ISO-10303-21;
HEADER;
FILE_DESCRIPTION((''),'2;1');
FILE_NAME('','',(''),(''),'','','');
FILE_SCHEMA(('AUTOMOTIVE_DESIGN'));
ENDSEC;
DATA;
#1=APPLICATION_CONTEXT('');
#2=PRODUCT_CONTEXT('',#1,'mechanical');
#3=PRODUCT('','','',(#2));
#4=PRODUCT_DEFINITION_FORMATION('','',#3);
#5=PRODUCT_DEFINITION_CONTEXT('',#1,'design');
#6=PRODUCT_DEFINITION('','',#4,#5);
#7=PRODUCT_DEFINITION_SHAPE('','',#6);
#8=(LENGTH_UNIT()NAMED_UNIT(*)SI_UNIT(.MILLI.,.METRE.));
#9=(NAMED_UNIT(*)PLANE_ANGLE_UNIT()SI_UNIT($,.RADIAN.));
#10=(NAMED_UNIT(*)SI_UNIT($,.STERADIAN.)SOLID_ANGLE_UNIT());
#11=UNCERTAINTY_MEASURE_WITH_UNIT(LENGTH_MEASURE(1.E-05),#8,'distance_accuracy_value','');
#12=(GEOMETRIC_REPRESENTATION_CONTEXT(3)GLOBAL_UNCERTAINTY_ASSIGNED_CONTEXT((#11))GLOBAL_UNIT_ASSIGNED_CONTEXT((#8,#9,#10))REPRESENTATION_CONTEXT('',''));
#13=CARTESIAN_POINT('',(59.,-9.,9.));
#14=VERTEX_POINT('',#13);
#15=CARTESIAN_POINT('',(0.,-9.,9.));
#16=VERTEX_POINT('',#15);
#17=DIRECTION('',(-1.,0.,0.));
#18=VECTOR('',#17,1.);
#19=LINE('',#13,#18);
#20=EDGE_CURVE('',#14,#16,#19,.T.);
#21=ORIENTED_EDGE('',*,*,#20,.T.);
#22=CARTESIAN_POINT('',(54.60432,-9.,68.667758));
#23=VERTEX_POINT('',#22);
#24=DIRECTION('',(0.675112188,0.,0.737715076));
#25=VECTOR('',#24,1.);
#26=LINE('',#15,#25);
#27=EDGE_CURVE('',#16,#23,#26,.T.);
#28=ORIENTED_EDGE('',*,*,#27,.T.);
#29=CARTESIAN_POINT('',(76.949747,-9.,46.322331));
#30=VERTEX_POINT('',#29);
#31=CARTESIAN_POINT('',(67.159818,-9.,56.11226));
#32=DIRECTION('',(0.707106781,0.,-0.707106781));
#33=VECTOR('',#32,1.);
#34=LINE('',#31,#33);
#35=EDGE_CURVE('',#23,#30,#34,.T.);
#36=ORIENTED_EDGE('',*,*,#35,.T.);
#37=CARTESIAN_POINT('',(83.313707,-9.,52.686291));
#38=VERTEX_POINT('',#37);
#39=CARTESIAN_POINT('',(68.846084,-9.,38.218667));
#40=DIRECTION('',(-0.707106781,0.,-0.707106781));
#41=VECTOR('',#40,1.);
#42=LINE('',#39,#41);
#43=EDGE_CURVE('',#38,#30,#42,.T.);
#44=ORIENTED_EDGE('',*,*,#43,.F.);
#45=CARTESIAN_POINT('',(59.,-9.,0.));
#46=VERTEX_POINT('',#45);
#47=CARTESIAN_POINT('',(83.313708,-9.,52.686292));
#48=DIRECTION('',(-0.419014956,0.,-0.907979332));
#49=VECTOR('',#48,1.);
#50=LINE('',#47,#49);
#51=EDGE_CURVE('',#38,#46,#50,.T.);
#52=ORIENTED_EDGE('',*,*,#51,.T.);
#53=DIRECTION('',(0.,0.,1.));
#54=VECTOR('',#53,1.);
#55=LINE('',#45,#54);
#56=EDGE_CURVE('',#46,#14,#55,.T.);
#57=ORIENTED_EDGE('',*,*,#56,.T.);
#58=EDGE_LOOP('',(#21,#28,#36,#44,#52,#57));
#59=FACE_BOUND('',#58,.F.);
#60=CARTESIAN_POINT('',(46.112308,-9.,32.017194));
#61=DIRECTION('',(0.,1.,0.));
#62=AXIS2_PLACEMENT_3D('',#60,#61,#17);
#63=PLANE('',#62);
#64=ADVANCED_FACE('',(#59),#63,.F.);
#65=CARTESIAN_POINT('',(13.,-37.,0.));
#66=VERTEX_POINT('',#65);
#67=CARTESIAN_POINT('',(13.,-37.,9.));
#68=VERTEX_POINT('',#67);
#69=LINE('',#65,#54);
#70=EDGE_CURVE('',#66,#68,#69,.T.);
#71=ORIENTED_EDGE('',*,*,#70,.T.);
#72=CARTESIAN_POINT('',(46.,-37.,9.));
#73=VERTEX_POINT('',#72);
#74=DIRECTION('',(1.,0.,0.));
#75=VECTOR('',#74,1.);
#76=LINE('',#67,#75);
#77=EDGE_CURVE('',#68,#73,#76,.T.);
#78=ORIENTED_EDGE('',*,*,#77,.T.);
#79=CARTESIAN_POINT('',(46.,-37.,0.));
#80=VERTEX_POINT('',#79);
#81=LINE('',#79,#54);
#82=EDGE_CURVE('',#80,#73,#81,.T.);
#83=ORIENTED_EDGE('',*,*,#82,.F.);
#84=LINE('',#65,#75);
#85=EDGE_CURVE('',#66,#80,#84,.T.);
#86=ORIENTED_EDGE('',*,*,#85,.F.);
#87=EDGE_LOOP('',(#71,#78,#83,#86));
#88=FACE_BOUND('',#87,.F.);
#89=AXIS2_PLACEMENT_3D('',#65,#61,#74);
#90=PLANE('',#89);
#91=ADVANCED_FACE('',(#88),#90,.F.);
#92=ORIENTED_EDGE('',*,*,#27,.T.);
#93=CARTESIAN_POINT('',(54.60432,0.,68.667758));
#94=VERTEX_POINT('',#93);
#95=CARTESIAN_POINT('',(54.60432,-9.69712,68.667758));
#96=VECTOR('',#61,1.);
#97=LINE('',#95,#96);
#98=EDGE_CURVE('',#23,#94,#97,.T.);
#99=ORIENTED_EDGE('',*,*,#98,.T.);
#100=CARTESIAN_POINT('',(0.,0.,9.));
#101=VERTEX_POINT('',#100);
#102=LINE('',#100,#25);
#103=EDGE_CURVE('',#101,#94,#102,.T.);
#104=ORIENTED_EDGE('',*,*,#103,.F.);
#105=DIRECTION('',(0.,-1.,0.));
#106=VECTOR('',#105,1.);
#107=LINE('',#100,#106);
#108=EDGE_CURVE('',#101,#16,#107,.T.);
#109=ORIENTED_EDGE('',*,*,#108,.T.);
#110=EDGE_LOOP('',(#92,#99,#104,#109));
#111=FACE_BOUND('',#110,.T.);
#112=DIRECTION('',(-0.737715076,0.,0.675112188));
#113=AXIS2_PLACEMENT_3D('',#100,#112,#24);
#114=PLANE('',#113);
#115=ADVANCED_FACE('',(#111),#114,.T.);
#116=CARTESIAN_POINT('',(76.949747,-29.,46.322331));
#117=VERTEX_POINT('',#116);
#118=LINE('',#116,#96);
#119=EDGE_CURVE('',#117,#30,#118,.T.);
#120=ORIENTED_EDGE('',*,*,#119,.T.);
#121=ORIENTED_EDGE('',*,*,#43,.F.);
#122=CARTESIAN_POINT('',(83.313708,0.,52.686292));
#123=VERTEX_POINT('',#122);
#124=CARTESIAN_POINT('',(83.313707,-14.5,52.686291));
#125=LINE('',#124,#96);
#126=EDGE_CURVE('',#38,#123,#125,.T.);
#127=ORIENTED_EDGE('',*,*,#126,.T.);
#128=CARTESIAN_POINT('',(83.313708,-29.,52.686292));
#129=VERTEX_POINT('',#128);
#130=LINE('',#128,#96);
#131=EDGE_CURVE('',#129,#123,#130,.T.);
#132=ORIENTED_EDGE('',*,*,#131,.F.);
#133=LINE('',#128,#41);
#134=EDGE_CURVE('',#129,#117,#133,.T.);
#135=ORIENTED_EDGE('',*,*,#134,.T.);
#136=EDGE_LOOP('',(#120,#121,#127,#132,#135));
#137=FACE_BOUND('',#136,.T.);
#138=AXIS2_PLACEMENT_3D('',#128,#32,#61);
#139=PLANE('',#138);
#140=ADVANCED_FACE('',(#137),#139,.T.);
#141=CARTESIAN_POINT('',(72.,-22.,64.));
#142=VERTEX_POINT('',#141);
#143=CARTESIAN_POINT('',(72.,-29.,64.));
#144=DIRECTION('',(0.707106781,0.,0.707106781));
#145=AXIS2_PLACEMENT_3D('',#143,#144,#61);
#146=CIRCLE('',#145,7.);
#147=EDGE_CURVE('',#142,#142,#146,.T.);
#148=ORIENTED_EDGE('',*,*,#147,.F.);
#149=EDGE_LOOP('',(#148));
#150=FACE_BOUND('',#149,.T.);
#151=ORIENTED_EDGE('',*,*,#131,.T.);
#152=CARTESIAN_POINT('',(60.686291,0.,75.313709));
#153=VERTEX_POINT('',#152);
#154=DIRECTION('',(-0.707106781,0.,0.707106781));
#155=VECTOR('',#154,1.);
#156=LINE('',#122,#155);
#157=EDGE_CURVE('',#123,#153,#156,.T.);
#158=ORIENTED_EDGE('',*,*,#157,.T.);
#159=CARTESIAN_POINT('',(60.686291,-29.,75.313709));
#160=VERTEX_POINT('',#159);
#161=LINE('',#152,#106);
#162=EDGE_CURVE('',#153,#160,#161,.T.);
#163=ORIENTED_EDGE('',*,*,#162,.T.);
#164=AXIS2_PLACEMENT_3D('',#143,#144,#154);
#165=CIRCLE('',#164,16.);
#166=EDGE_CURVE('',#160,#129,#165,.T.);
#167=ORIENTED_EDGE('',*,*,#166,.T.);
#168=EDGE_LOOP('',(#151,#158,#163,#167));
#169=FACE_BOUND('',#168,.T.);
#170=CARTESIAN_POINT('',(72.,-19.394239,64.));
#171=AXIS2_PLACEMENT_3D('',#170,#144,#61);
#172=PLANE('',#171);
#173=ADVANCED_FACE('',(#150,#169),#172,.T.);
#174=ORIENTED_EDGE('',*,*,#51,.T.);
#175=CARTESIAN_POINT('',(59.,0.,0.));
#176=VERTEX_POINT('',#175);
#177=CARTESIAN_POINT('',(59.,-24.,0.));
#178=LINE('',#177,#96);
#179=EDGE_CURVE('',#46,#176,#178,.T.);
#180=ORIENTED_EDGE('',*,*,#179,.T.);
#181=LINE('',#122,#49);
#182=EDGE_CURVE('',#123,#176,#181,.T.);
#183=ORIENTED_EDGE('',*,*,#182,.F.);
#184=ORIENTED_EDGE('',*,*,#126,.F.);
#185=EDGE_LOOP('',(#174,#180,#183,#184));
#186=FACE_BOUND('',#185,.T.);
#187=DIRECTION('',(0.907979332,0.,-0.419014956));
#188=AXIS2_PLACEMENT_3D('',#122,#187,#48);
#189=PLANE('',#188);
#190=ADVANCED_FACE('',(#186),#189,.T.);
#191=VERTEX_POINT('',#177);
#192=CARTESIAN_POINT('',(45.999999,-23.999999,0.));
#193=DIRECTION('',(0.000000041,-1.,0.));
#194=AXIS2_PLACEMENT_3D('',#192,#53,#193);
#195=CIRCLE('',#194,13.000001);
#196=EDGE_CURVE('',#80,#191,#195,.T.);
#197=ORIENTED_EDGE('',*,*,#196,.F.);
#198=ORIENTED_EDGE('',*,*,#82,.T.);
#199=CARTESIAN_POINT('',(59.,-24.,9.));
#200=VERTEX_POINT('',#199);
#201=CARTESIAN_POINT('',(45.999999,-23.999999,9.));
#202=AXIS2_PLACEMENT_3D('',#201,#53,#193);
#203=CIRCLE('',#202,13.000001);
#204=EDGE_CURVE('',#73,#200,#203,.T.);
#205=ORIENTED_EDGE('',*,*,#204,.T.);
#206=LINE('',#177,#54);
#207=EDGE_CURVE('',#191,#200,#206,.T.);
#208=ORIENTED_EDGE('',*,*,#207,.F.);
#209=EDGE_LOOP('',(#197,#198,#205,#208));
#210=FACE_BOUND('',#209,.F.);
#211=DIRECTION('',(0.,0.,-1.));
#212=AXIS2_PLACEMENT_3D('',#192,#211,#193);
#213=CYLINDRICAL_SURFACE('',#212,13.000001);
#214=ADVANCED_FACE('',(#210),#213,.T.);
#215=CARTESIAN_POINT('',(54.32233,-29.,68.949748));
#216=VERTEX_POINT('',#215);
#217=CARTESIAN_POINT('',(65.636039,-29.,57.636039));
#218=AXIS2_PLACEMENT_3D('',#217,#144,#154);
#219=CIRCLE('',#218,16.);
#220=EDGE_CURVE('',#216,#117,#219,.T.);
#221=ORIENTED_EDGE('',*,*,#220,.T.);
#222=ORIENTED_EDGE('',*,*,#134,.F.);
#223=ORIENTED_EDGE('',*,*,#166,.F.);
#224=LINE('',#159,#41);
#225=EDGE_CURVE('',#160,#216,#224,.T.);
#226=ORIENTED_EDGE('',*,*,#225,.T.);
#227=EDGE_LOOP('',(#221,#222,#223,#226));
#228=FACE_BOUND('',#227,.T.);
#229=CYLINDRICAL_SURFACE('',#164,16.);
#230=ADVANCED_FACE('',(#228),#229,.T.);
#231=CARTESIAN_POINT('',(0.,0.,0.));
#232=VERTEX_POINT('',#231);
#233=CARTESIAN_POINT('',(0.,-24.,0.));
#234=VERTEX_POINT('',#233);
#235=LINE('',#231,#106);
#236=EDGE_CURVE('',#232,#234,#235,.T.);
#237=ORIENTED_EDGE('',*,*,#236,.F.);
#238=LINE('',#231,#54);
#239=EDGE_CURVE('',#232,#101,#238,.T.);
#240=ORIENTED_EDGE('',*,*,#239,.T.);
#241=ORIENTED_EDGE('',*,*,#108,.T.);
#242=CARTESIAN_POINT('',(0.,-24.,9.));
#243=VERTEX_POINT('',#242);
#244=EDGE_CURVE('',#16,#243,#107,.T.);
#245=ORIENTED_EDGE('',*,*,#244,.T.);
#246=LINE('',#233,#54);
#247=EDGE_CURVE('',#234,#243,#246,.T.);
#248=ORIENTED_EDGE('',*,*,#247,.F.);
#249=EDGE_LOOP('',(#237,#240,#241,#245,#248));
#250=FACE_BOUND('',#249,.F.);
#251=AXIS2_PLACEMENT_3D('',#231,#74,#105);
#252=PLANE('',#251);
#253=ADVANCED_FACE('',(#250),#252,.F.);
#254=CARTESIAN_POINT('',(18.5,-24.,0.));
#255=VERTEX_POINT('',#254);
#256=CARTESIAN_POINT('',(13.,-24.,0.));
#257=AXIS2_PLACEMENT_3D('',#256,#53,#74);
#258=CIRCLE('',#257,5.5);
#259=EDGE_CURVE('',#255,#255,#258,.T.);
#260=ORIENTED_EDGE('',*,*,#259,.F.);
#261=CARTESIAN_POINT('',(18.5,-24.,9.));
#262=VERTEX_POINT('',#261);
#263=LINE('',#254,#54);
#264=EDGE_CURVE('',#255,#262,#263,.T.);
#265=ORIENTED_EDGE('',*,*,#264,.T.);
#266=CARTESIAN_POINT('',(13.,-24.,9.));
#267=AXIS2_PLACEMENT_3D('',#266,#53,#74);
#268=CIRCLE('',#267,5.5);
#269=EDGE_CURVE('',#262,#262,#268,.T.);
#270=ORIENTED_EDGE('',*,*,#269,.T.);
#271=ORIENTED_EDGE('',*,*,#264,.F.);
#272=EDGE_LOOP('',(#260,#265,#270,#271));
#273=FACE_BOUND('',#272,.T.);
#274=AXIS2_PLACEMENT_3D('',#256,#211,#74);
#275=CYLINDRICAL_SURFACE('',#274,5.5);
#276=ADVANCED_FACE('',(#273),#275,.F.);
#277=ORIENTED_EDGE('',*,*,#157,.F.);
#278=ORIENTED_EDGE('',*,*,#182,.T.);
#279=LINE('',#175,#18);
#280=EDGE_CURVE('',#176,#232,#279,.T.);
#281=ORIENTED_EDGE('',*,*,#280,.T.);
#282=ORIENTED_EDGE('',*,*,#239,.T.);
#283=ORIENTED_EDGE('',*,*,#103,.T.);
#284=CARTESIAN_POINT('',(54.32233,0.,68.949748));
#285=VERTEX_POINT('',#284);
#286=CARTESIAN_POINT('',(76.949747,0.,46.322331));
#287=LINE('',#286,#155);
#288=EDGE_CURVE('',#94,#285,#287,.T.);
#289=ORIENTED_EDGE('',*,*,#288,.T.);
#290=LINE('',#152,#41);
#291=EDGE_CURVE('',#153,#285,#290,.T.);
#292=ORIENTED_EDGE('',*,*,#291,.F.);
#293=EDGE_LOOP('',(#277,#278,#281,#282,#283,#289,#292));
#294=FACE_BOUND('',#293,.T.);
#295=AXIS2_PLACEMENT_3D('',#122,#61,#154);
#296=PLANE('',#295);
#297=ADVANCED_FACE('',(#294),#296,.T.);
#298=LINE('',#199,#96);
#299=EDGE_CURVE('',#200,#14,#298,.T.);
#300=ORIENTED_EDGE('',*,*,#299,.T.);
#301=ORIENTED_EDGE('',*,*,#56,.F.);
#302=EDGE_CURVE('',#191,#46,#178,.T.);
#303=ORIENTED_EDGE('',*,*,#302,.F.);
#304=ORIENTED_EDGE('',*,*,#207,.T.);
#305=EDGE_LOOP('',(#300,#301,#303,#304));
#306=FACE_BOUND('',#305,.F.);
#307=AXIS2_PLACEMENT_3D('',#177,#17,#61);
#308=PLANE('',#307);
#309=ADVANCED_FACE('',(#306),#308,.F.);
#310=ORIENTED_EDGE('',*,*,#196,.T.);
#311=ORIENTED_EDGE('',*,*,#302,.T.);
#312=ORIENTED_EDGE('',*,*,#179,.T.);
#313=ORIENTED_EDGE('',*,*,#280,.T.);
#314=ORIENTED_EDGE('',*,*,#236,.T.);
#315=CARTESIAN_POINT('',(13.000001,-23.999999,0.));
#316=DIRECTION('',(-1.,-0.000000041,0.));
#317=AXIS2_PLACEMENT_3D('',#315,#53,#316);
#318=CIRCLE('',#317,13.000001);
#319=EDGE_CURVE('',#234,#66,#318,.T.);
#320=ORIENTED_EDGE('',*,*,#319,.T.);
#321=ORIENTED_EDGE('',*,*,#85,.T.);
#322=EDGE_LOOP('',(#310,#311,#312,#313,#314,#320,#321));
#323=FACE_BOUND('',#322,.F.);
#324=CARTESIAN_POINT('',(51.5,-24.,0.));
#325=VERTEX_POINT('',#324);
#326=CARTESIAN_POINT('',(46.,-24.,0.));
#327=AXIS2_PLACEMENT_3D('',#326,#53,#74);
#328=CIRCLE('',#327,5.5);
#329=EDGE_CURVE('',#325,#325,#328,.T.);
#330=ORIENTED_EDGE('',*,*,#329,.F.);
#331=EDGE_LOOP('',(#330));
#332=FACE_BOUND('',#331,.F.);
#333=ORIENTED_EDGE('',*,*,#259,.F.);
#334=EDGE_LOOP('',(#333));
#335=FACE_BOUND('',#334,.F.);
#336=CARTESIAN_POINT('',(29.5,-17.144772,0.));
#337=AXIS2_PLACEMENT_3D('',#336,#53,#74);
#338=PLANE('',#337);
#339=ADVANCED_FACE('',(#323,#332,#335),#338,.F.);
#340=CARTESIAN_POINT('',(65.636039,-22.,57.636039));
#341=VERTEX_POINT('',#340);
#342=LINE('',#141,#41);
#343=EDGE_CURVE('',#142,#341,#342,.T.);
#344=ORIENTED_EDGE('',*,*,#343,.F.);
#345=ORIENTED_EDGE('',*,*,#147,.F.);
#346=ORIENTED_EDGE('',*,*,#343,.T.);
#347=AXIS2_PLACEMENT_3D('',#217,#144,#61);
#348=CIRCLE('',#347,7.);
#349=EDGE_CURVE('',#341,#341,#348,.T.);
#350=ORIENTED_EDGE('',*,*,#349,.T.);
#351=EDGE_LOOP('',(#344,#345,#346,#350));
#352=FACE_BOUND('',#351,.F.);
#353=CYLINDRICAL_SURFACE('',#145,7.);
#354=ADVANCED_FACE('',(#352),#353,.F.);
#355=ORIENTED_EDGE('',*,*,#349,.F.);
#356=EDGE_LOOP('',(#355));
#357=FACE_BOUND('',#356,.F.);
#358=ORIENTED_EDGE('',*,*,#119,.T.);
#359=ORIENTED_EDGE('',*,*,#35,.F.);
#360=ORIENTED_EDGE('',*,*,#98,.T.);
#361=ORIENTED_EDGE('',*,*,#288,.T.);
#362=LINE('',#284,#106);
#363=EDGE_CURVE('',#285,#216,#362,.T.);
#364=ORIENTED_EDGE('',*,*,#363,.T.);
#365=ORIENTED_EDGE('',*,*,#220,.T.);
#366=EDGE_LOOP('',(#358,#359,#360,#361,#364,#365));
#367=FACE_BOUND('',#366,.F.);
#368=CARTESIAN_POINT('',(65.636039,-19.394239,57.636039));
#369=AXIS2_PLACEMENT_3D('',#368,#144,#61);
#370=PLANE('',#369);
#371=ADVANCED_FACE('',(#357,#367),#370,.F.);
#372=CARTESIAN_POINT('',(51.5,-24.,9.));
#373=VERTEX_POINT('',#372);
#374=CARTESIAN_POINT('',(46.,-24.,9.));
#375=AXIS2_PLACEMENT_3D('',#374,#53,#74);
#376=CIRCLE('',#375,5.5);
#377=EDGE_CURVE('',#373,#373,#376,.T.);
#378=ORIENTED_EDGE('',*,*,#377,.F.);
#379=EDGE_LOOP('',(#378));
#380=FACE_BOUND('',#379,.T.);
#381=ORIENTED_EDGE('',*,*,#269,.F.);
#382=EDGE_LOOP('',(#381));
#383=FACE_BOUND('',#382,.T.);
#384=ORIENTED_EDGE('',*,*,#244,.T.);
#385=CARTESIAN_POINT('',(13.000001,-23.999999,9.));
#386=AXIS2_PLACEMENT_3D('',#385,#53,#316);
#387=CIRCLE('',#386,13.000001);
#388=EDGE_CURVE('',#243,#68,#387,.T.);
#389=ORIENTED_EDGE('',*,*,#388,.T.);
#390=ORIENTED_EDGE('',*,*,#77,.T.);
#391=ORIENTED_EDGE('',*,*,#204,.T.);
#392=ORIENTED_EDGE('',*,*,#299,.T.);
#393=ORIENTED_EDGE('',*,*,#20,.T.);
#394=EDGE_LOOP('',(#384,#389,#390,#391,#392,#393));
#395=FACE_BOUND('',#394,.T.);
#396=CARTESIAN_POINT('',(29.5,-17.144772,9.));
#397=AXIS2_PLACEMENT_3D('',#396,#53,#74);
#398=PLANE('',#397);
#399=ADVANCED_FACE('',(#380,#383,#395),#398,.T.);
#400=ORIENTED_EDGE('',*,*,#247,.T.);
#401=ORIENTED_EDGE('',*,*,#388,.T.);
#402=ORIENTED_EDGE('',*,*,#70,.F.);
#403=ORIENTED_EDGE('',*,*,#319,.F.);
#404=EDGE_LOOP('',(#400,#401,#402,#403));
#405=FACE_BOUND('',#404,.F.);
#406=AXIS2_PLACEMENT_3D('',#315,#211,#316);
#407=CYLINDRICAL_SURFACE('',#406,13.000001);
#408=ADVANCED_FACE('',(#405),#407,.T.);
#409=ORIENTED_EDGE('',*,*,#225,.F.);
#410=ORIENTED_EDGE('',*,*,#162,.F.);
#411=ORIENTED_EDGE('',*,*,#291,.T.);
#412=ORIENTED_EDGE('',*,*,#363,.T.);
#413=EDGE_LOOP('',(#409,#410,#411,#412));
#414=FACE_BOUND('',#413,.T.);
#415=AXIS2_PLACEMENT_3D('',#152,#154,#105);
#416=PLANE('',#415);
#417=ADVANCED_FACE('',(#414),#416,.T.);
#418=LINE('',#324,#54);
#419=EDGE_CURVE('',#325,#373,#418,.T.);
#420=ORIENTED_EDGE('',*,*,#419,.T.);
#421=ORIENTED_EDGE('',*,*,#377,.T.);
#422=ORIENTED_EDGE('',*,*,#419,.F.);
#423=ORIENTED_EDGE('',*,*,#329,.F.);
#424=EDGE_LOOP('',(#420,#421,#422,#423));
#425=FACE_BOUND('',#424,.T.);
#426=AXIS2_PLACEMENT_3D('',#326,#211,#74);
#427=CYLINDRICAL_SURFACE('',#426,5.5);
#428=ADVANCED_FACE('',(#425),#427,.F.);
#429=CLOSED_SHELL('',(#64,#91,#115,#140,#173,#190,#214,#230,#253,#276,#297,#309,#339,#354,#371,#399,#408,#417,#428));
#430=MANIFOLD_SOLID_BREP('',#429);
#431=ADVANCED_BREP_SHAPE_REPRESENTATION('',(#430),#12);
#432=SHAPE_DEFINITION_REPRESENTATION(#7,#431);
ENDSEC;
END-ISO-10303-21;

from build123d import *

# Parameters (mm, degrees)
F0_R     = 5.5
F1_DEPTH = 9
F3_DEPTH = 9
F4_R     = 7
F5_DEPTH = 9


with BuildPart() as f1:
    # F0 (on Top) → F1 (new body)
    with BuildSketch(Plane.XY):
        with BuildLine():
            Line((59, 0), (0, 0))
            Line((0, 0), (0, -24))
            ThreePointArc((0, -24), (3.807612, -33.192388), (13, -37))
            Line((13, -37), (46, -37))
            ThreePointArc((46, -37), (55.192388, -33.192388), (59, -24))
            Line((59, -24), (59, 0))
        make_face()
        with Locations((13, -24)):
            Circle(F0_R, mode=Mode.SUBTRACT)
        with Locations((46, -24)):
            Circle(F0_R, mode=Mode.SUBTRACT)
    extrude(amount=F1_DEPTH)

    # F2 (on face) → F3 (join)
    with BuildSketch(Plane(origin=(0, 0, 0), x_dir=(-1, 0, 0), z_dir=(0, 1, 0))):
        Polygon((-59, 9), (0, 9), (-60.686292, 75.313708), (-83.313708, 52.686292), (-59, 0), align=None)
    extrude(amount=-F3_DEPTH)

    # F4 (on face) → F5 (join)
    with BuildSketch(Plane(origin=(68, 0, 68), x_dir=(0, 1, 0), z_dir=(0.707107, 0, 0.707107))):
        with BuildLine():
            Line((-29, -21.656854), (0, -21.656854))
            Line((0, -21.656854), (0, 10.343146))
            Line((0, 10.343146), (-29, 10.343146))
            ThreePointArc((-29, 10.343146), (-45, -5.656854), (-29, -21.656854))
        make_face()
        with Locations((-29, -5.656854)):
            Circle(F4_R, mode=Mode.SUBTRACT)
    extrude(amount=-F5_DEPTH)


solid = f1.part
